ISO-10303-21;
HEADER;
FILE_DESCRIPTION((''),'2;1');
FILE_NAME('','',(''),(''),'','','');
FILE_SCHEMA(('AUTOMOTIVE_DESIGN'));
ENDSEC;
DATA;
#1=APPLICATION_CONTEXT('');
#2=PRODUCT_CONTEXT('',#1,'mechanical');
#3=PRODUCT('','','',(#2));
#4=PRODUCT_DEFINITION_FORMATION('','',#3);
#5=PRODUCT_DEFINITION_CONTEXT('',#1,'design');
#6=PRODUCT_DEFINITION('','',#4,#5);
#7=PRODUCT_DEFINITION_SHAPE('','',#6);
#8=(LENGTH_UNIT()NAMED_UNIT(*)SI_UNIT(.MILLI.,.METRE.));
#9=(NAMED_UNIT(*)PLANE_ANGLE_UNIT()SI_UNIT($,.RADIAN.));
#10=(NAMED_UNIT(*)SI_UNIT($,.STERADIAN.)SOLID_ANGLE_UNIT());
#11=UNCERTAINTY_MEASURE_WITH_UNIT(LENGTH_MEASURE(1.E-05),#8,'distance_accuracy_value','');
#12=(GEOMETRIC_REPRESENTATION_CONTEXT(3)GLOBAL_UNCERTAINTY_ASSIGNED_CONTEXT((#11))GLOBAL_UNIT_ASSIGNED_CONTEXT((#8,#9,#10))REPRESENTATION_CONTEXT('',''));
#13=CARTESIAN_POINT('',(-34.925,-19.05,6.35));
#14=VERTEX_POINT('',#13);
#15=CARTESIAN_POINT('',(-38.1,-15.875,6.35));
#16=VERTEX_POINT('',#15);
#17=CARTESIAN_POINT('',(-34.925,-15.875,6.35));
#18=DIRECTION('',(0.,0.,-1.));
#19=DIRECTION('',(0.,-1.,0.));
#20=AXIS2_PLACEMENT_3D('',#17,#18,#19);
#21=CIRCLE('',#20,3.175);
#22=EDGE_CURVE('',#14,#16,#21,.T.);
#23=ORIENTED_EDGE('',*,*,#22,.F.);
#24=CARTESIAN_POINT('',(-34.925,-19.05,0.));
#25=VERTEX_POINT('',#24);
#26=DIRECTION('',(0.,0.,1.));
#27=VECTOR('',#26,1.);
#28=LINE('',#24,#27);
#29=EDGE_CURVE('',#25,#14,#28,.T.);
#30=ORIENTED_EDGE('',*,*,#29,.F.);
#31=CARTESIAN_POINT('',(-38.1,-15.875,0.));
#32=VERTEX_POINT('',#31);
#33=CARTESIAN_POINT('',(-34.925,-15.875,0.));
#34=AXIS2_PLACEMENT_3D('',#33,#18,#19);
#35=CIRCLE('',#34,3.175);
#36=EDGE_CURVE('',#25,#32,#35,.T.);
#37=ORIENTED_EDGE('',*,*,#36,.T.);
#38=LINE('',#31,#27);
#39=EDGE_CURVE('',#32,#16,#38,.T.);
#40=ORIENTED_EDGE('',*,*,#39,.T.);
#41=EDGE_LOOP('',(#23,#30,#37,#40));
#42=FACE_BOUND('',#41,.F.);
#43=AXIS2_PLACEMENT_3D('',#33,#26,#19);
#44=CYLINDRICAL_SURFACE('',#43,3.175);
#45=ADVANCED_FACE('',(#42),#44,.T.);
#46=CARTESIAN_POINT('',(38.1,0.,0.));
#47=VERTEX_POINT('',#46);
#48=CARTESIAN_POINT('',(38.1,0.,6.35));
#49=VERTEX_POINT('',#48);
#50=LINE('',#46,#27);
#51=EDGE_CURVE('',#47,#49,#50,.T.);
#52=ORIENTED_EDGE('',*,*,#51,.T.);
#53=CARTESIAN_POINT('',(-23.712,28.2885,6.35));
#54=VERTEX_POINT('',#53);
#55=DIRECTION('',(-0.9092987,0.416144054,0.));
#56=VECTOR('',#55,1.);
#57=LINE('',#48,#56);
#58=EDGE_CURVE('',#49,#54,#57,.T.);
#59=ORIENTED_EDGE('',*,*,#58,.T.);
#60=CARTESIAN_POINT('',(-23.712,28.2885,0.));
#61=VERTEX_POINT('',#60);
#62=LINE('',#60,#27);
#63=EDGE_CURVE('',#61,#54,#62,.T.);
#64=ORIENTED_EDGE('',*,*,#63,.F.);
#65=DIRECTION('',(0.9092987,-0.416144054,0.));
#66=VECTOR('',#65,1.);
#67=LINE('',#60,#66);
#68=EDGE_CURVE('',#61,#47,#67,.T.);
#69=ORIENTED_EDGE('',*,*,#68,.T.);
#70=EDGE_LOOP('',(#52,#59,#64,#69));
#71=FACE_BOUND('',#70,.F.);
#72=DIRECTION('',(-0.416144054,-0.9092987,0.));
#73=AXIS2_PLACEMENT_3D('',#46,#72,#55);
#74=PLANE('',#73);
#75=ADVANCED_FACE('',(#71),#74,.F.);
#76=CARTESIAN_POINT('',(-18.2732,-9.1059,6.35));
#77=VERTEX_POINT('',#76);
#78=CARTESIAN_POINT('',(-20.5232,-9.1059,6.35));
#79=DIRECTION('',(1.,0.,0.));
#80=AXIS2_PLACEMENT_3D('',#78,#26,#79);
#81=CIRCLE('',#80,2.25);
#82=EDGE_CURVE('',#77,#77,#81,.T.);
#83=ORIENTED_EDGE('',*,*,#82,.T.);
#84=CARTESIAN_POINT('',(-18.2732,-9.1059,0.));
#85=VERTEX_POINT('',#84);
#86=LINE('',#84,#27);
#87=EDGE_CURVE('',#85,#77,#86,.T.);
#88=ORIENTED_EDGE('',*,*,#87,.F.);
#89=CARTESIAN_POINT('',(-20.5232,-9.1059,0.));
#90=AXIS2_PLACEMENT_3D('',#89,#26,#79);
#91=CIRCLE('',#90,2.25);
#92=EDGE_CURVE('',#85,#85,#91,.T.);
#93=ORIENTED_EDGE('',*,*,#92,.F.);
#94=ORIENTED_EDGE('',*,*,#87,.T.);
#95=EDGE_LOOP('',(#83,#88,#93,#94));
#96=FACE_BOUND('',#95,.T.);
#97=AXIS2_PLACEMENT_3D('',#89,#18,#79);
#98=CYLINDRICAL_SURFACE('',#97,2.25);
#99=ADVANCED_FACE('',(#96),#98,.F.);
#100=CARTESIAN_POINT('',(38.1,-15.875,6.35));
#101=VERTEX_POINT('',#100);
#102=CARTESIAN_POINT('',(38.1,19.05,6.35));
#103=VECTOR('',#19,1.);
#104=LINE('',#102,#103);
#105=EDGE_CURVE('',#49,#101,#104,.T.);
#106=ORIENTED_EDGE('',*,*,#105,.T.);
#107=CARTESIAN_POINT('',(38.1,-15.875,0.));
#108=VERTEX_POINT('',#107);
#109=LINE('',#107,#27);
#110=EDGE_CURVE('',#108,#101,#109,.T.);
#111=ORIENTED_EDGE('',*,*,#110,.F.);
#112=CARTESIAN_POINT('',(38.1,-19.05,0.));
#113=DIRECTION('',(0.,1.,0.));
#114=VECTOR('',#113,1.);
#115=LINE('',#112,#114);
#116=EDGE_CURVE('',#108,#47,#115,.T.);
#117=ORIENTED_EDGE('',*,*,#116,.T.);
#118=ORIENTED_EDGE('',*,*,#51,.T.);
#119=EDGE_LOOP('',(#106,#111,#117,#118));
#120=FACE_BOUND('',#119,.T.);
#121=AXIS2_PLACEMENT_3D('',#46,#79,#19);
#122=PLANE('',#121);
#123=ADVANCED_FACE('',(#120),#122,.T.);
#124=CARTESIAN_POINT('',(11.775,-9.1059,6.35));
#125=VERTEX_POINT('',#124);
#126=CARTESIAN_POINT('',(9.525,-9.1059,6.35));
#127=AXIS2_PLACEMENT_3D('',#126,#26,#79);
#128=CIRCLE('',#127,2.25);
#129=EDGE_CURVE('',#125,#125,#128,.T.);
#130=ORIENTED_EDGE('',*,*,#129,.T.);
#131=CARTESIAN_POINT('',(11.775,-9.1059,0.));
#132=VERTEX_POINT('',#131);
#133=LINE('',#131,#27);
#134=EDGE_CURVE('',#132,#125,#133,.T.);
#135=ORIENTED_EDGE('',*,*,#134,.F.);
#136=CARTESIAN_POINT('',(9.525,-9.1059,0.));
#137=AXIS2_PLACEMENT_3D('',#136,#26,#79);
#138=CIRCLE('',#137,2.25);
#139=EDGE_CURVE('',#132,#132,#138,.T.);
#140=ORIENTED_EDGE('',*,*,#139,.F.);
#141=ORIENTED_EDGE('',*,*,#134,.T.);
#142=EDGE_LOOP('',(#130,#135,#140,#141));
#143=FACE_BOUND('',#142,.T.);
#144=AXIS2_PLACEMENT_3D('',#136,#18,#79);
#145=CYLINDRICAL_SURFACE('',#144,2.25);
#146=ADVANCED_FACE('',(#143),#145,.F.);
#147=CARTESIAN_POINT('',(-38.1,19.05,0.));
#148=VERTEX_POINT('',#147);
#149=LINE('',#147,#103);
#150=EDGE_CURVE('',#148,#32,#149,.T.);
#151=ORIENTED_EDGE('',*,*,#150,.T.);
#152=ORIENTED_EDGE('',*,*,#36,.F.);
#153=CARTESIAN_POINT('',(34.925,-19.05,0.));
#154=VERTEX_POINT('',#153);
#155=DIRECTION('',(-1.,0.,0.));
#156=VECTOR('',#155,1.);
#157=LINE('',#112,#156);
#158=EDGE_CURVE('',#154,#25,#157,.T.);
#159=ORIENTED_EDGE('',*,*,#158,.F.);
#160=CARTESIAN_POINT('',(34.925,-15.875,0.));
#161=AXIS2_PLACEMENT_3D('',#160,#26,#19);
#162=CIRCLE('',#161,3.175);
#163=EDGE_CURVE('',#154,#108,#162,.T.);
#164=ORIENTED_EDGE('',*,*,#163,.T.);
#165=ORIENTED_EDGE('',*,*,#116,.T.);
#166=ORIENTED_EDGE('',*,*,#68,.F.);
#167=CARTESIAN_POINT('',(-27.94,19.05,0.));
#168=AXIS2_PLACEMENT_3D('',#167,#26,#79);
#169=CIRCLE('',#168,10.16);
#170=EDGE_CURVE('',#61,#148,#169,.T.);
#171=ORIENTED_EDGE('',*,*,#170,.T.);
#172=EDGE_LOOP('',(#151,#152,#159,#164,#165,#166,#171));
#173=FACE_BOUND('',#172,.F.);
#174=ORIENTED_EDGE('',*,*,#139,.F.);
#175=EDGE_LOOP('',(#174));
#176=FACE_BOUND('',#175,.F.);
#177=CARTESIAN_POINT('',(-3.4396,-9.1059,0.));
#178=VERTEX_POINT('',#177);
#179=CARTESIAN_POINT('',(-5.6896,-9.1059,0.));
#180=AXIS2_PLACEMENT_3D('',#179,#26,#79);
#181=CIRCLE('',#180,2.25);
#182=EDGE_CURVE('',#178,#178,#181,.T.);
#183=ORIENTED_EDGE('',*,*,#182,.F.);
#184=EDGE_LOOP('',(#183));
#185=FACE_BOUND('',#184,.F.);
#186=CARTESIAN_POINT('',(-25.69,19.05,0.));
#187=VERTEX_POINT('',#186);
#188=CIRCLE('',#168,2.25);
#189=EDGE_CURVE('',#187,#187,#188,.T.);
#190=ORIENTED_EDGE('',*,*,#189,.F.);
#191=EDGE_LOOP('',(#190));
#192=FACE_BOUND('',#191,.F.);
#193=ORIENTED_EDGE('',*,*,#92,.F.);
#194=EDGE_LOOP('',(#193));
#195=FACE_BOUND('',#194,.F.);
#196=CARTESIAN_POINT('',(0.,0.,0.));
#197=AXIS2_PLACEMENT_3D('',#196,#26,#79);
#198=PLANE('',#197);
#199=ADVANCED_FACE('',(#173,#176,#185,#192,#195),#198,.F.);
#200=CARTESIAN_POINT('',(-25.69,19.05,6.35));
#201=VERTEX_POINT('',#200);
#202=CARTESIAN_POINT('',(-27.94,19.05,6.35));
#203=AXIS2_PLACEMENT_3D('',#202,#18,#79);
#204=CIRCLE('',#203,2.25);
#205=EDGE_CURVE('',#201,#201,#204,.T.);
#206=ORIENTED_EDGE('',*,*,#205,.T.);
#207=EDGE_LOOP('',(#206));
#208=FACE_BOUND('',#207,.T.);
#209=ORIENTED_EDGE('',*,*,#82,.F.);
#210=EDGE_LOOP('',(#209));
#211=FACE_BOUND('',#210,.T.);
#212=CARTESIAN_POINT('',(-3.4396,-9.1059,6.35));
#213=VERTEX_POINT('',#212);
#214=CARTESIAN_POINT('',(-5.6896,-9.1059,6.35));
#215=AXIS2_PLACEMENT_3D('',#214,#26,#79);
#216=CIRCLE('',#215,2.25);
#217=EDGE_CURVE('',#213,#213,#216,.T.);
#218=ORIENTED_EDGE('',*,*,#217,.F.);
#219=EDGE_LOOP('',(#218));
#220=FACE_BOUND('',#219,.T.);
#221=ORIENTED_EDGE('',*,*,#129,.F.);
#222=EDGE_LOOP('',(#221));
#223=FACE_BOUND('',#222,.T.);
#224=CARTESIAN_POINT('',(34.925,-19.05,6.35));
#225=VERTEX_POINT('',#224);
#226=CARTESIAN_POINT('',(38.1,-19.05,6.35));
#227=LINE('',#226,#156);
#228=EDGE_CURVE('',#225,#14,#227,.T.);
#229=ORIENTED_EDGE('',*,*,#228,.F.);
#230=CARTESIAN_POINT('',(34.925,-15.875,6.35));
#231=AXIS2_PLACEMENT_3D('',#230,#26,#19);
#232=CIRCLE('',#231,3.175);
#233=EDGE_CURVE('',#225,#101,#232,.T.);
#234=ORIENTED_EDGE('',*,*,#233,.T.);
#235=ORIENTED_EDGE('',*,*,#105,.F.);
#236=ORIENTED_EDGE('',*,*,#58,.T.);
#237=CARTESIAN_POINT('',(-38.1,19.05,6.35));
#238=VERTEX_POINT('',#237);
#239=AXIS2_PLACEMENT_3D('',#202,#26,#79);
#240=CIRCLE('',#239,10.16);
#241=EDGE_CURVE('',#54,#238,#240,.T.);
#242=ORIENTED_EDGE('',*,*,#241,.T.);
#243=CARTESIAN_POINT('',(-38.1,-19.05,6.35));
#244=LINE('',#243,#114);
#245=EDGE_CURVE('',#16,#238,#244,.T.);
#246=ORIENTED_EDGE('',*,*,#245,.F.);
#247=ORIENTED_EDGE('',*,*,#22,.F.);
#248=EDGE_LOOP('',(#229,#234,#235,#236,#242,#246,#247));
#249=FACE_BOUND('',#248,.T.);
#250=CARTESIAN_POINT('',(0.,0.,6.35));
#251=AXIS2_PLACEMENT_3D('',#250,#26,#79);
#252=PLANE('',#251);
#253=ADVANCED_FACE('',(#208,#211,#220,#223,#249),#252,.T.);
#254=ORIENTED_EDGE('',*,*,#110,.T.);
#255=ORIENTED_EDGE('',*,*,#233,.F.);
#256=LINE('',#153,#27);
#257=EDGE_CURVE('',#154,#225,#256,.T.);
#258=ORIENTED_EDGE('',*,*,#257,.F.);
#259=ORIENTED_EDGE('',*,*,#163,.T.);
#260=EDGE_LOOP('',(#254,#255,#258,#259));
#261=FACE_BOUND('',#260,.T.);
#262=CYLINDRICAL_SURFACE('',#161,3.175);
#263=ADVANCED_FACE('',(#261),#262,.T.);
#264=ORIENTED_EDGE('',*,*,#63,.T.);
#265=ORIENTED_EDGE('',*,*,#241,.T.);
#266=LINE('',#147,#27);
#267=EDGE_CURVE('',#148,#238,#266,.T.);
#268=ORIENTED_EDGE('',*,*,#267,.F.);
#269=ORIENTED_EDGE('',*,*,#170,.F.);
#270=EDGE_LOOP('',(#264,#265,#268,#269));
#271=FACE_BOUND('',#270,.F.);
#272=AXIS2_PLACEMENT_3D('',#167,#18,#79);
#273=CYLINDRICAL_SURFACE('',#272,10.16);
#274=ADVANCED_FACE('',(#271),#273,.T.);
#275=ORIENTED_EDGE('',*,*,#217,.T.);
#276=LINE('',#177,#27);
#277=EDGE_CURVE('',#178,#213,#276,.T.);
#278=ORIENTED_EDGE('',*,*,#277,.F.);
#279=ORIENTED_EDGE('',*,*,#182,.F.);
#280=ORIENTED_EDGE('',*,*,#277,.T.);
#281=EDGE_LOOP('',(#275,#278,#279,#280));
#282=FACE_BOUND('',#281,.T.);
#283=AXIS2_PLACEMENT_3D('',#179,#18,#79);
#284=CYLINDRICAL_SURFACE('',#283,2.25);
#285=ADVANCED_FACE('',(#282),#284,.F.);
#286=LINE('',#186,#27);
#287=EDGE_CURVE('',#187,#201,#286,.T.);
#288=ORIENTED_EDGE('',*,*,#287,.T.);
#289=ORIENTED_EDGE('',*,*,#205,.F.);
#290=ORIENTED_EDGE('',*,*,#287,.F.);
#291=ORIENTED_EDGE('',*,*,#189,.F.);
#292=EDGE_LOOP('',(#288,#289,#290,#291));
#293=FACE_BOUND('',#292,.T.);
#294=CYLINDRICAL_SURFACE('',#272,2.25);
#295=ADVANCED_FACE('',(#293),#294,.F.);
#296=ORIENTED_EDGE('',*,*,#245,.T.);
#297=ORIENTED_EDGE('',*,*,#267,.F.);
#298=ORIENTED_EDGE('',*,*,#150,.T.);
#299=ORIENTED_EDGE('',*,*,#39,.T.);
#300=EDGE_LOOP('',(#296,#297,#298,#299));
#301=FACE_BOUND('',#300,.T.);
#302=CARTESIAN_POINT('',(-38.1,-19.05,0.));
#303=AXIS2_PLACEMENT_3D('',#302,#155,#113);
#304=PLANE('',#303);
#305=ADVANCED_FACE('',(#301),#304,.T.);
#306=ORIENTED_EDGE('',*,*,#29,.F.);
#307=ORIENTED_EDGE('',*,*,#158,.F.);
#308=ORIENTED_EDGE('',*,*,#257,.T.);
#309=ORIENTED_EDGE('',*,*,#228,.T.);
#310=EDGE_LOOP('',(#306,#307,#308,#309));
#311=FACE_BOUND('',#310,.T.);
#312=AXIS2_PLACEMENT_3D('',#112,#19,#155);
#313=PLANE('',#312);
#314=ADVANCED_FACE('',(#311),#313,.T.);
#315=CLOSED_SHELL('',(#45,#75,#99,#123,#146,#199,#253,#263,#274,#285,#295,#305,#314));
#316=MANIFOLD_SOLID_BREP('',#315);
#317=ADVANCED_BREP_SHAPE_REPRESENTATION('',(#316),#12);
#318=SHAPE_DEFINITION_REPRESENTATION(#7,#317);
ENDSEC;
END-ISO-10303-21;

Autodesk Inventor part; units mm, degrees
ref_plane "YZ Plane" through (0, 0, 0) normal (1, 0, 0) x (0, 1, 0)
ref_plane "XZ Plane" through (0, 0, 0) normal (0, 1, 0) x (-1, 0, 0)
ref_plane "XY Plane" through (0, 0, 0) normal (0, 0, 1) x (1, 0, 0)
sketch "Sketch1" plane through (0, 0, 0) normal (0, 0, 1) x (1, 0, 0)
  line L0 (38.1, -19.05) -> (-38.1, -19.05)
  line L1 (-38.1, -19.05) -> (-38.1, 19.05)
  line L2 (-38.1, 19.05) -> (38.1, 19.05)
  line L3 (38.1, 19.05) -> (38.1, -19.05)
  line L4 (38.1, -19.05) -> (-38.1, 19.05) construction
  line L5 (-38.1, -19.05) -> (38.1, 19.05) construction
  line L6 (-38.1, -19.05) -> (38.1, -19.05)
  line L7 (38.1, -19.05) -> (38.1, 0.8382)
  line L8 (38.1, 0.8382) -> (-38.1, 0.8382) construction
  line L9 (-38.1, 0.8382) -> (-38.1, -19.05)
  line L10 (-38.1, -9.1059) -> (38.1, -9.1059) construction
  circle A0 centre (-20.5232, -9.1059) radius 2.25
  circle A1 centre (-5.6896, -9.1059) radius 2.25
  circle A2 centre (9.525, -9.1059) radius 2.25
  circle A3 centre (-27.94, 19.05) radius 6.35 construction
  circle A4 centre (-27.94, 19.05) radius 2.25
  circle A5 centre (-27.94, 19.05) radius 10.16
  line L11 (38.1, 0) -> (-23.712, 28.2885)
  point P0 (0, 0)
  point P1 (-38.1, 19.05)
  point P2 (-17.78, 19.05)
  point P3 (-3.5254, 19.05)
  dimension "d0" = 76.2
  dimension "d1" = 38.1
  dimension "d2" = 19.8882
  dimension "d3" = 4.5
  dimension "d4" = 17.5768
  dimension "d5" = 4.5
  dimension "d6" = 14.8336
  dimension "d7" = 4.5
  dimension "d8" = 15.2146
  dimension "d9" = 12.7
  dimension "d10" = 0
  dimension "d11" = 10.16
  dimension "d12" = 4.5
extrude "Extrusion1" add sketch "Sketch1" along normal blind 6.35 contours L0 L1 A5 L2 L11 L3 | L11 L2 L3 | L2 A5 L11 | A5 L2 A4 | L2 A4 A5
extrude "Extrusion2" cut sketch "Sketch1" along normal blind 6.35 contours L11 L2 L3
fillet "Fillet1" radius 3.175 2 edges at (38.1, -19.05, 3.175) (-38.1, -19.05, 3.175)
properties part number "Slide_Climb_Conforce_Spring_Mount"
